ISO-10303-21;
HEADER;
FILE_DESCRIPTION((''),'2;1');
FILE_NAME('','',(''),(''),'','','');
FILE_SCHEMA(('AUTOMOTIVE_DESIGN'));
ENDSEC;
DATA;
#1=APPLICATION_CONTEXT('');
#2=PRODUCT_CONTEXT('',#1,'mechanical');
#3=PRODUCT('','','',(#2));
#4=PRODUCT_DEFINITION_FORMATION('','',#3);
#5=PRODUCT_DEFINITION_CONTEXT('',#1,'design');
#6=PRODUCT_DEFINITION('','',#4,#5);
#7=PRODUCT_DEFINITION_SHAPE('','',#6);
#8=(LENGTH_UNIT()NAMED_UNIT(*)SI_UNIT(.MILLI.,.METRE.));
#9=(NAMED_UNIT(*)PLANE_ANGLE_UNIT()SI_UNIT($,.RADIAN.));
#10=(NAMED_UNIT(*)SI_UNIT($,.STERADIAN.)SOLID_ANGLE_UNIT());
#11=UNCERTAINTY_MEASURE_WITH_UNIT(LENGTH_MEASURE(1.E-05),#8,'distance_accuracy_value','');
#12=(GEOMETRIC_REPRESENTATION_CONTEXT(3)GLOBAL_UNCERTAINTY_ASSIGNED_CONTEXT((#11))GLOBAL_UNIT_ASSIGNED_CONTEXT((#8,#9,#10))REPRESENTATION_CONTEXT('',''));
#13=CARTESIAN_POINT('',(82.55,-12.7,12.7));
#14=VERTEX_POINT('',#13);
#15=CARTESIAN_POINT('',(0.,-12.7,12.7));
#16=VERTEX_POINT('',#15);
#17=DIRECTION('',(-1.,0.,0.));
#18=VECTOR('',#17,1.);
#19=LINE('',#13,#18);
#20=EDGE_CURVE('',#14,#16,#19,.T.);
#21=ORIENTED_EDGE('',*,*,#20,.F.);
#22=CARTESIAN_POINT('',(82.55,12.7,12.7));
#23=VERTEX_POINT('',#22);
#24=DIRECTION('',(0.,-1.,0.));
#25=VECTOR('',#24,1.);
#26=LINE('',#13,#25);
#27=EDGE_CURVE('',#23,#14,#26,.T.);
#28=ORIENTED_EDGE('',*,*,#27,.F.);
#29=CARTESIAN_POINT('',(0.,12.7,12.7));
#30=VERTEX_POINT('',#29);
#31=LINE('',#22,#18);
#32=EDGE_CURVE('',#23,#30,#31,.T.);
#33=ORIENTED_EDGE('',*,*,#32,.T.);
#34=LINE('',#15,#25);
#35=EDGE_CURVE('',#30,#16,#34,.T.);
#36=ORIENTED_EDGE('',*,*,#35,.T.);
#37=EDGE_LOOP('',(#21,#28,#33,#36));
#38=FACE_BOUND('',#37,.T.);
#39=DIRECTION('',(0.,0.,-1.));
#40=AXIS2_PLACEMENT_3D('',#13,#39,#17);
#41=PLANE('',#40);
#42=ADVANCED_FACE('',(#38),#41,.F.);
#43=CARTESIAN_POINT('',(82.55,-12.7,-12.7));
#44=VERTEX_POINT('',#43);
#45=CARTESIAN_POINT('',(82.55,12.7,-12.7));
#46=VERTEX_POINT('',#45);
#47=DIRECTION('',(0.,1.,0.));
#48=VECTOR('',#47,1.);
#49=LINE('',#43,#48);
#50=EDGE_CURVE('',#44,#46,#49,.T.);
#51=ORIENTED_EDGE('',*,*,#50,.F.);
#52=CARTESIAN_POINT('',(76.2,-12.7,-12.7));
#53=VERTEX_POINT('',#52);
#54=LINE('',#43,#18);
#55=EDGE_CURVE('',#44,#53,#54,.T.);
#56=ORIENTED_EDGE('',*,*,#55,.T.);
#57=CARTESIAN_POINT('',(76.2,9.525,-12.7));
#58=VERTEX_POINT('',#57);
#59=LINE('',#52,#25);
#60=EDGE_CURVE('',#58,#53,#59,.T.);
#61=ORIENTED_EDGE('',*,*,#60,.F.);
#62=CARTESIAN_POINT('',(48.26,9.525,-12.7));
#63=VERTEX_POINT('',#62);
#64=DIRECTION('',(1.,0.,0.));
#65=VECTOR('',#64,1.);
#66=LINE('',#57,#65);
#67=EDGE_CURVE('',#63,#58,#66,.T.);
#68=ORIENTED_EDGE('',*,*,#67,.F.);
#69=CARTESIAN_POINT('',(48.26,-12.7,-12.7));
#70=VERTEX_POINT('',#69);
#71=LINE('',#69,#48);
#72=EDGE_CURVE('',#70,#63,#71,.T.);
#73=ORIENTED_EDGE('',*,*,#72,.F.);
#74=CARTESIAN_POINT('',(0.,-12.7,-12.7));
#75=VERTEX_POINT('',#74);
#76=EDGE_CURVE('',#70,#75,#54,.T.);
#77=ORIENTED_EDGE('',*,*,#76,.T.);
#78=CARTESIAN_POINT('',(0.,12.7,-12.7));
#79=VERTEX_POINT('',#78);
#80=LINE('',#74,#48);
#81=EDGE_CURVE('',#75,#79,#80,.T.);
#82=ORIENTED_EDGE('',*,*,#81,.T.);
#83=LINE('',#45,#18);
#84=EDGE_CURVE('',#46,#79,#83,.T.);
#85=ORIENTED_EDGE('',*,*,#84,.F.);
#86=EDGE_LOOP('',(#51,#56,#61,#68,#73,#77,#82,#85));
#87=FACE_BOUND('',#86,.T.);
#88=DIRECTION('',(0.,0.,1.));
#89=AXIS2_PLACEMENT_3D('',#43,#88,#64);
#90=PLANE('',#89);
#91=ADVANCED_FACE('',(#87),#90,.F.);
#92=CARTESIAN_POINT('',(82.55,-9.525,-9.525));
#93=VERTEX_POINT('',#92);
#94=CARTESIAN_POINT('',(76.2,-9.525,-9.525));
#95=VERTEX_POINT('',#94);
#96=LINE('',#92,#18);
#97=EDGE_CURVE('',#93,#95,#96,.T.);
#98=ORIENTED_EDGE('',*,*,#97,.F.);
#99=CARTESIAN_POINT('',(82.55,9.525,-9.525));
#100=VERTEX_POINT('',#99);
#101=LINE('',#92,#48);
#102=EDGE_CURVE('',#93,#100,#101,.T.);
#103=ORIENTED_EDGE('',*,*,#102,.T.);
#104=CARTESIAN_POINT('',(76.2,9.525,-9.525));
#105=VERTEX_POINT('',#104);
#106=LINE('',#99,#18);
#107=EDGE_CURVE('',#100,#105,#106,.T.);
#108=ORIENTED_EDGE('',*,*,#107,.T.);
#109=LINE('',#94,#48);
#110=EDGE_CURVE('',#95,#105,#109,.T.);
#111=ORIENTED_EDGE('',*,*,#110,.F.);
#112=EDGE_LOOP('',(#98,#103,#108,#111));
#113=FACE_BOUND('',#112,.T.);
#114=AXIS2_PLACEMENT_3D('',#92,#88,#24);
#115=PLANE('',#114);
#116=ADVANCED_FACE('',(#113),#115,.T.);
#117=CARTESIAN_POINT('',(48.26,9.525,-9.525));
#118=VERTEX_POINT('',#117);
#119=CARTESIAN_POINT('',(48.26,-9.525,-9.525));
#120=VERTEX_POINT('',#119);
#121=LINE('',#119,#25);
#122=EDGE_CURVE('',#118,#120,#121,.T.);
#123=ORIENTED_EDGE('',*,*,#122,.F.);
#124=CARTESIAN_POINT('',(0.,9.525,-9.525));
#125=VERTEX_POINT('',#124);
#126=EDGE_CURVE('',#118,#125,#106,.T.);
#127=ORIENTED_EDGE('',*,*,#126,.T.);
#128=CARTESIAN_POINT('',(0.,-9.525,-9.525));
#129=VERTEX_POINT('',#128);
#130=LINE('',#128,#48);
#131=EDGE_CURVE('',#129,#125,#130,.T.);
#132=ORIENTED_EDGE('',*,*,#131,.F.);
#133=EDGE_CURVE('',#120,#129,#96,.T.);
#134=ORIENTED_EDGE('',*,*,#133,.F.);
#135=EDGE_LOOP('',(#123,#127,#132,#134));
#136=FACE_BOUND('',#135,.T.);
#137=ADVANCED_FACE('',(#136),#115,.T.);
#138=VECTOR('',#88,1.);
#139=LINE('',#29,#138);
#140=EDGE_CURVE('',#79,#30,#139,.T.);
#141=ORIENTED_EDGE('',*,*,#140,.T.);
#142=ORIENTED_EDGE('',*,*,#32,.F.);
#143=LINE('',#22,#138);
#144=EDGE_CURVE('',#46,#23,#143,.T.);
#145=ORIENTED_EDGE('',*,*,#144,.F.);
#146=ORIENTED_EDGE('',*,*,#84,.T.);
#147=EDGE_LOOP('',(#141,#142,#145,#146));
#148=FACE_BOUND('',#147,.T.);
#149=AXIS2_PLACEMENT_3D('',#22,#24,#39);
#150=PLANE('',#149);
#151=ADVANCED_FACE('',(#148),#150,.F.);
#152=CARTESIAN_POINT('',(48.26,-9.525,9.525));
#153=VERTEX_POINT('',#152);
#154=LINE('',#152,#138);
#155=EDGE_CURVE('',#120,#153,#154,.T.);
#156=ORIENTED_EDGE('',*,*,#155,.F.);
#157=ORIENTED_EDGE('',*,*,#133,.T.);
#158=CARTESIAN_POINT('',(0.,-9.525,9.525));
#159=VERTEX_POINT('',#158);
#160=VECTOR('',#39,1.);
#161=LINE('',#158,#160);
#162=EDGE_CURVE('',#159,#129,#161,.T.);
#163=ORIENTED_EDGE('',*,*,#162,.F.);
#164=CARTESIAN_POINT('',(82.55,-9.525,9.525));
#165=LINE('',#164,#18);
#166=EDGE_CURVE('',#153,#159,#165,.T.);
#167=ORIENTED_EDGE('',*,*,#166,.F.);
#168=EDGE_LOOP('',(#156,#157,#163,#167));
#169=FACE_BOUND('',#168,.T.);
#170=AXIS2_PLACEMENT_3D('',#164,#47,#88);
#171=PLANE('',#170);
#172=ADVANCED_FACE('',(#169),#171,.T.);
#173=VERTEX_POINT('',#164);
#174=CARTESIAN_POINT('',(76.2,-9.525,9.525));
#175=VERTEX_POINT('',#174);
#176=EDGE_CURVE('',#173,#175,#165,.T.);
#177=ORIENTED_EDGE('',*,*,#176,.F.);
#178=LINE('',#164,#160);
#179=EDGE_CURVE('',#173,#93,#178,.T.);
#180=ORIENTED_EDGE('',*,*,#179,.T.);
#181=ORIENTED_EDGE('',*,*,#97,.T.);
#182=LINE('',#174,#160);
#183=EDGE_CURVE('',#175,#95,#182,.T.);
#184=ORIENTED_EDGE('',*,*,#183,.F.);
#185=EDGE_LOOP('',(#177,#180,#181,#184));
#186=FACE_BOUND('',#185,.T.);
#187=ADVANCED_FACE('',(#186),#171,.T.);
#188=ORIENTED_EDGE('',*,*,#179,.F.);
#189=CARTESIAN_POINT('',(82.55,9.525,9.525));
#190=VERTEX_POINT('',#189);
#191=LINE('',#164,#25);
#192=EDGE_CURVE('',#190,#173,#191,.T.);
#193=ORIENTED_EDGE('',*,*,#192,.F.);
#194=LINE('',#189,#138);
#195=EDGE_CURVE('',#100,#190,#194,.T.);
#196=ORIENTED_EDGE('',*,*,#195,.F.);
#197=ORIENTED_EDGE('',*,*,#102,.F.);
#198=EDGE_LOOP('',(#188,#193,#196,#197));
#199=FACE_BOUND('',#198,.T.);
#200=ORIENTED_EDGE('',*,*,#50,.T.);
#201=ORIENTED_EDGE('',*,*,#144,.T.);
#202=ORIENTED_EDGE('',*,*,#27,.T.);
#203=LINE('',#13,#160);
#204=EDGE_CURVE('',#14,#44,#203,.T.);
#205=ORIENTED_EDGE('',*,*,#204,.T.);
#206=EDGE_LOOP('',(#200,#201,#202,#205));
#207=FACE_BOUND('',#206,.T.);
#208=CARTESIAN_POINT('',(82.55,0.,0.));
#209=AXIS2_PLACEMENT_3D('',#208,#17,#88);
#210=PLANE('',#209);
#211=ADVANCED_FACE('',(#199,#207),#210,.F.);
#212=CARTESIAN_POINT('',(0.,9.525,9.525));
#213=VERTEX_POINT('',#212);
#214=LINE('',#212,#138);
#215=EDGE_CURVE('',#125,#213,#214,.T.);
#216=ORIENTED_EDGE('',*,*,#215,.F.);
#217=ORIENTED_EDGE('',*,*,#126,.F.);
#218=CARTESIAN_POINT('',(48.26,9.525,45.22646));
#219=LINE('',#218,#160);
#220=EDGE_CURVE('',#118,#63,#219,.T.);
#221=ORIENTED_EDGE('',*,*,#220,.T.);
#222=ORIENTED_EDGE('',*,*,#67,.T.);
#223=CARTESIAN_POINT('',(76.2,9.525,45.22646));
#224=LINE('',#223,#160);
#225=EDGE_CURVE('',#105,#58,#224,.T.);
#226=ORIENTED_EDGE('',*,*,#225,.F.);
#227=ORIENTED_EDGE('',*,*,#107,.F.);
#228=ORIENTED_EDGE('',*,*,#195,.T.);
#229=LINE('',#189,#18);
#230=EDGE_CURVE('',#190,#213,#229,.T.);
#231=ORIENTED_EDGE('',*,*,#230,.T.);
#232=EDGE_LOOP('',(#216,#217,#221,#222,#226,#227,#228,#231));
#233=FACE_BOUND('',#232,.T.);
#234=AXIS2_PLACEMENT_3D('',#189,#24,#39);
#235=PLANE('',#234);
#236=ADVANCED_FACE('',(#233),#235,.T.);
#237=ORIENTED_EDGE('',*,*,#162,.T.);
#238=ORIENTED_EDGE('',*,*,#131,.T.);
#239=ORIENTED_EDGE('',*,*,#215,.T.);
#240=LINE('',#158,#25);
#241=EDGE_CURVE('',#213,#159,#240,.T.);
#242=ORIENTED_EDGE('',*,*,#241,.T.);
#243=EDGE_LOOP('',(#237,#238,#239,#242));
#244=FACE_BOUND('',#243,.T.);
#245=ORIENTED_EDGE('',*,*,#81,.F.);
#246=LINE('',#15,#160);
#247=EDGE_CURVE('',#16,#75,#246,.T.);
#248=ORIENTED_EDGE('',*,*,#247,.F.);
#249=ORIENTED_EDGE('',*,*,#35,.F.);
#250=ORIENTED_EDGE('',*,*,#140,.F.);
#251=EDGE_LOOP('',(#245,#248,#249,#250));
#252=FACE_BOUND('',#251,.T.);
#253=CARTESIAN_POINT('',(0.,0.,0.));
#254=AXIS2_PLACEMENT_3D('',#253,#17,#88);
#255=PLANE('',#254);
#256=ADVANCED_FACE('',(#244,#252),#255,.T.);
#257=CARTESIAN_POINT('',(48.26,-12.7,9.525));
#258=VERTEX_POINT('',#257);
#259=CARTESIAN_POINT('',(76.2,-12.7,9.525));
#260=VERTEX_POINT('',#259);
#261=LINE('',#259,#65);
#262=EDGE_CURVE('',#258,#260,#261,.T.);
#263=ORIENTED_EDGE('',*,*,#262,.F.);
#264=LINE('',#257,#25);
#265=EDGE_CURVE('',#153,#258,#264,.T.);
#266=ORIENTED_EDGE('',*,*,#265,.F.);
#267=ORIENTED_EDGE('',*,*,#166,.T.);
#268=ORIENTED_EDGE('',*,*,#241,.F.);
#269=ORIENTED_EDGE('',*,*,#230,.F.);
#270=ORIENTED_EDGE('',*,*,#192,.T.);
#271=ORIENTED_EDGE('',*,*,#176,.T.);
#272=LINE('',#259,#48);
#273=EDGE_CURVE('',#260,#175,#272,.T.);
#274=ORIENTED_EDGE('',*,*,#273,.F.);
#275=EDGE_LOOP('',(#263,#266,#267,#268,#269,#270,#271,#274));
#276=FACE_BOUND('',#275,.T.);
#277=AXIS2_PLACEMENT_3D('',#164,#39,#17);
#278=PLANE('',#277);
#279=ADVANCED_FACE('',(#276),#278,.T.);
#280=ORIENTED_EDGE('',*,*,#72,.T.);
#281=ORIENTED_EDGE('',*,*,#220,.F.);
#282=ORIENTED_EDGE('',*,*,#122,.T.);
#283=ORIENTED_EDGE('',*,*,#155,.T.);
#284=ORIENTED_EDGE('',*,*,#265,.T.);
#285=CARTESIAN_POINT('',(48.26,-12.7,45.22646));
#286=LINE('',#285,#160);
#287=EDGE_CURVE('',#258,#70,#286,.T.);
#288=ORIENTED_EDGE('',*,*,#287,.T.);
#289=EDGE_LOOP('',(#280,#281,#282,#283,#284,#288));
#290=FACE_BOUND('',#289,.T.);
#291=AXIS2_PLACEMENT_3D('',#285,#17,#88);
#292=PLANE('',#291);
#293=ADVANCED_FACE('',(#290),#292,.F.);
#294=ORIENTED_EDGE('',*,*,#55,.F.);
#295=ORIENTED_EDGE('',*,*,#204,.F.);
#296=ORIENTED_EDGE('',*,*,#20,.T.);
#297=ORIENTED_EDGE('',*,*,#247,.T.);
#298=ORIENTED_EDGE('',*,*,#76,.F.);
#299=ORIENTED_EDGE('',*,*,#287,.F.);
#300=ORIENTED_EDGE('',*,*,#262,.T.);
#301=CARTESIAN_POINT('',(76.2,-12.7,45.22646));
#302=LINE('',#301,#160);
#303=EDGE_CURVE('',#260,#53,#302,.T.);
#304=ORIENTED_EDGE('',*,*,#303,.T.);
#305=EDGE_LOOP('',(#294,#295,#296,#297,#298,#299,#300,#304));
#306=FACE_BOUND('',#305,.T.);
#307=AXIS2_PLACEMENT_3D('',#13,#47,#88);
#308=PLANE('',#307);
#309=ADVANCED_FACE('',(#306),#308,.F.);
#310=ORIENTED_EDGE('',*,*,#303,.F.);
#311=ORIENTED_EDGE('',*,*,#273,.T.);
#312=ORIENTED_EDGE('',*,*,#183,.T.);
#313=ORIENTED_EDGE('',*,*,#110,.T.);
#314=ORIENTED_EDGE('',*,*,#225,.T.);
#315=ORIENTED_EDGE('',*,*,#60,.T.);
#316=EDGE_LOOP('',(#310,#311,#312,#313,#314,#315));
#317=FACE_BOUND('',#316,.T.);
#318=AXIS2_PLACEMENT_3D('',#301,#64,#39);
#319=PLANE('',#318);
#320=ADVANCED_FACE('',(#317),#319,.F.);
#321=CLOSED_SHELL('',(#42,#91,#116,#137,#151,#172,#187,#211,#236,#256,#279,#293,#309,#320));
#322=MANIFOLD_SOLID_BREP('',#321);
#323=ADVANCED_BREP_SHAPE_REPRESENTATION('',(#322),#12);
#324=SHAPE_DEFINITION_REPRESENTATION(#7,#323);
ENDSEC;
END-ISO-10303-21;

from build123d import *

# Parameters (mm, degrees)
SKETCH2_W           = 25.4
SKETCH2_H           = 25.4
SKETCH2_W_2         = 19.05
SKETCH2_H_2         = 19.05
BOSS_EXTRUDE1_DEPTH = 82.55
CUT_EXTRUDE1_REACH  = 89.298
SKETCH3_W           = 27.94
SKETCH3_H           = 22.225


with BuildPart() as part:
    # Sketch2 → Boss-Extrude1 (new body)
    with BuildSketch(Plane(origin=(0, 0, 0), x_dir=(0, 0, -1), z_dir=(1, 0, 0))):
        Rectangle(SKETCH2_W, SKETCH2_H)
        Rectangle(SKETCH2_W_2, SKETCH2_H_2, mode=Mode.SUBTRACT)
    extrude(amount=BOSS_EXTRUDE1_DEPTH)

    # Cut-Extrude1: up to this face of the body (flat: up to its plane)
    cut_extrude1_end = Plane(part.part.faces().sort_by_distance((41.275, 0, 9.525))[0])
    # Sketch3 → Cut-Extrude1 (cut, up to the picked face)
    with BuildSketch(Plane(origin=(0, 0, -12.7), x_dir=(-1, 0, 0), z_dir=(0, 0, -1)), mode=Mode.PRIVATE) as cut_extrude1_sk1:
        with Locations((-62.23, -1.5875)):
            Rectangle(SKETCH3_W, SKETCH3_H)
    cut_extrude1_tool1 = split(extrude(cut_extrude1_sk1.sketch, amount=-CUT_EXTRUDE1_REACH, mode=Mode.PRIVATE), bisect_by=cut_extrude1_end, keep=Keep.BOTH, mode=Mode.PRIVATE)
    add(cut_extrude1_tool1.solids().sort_by(Axis((62.23, -1.5875, -12.7), (0, 0, 1)))[0], mode=Mode.SUBTRACT)


solid = part.part
